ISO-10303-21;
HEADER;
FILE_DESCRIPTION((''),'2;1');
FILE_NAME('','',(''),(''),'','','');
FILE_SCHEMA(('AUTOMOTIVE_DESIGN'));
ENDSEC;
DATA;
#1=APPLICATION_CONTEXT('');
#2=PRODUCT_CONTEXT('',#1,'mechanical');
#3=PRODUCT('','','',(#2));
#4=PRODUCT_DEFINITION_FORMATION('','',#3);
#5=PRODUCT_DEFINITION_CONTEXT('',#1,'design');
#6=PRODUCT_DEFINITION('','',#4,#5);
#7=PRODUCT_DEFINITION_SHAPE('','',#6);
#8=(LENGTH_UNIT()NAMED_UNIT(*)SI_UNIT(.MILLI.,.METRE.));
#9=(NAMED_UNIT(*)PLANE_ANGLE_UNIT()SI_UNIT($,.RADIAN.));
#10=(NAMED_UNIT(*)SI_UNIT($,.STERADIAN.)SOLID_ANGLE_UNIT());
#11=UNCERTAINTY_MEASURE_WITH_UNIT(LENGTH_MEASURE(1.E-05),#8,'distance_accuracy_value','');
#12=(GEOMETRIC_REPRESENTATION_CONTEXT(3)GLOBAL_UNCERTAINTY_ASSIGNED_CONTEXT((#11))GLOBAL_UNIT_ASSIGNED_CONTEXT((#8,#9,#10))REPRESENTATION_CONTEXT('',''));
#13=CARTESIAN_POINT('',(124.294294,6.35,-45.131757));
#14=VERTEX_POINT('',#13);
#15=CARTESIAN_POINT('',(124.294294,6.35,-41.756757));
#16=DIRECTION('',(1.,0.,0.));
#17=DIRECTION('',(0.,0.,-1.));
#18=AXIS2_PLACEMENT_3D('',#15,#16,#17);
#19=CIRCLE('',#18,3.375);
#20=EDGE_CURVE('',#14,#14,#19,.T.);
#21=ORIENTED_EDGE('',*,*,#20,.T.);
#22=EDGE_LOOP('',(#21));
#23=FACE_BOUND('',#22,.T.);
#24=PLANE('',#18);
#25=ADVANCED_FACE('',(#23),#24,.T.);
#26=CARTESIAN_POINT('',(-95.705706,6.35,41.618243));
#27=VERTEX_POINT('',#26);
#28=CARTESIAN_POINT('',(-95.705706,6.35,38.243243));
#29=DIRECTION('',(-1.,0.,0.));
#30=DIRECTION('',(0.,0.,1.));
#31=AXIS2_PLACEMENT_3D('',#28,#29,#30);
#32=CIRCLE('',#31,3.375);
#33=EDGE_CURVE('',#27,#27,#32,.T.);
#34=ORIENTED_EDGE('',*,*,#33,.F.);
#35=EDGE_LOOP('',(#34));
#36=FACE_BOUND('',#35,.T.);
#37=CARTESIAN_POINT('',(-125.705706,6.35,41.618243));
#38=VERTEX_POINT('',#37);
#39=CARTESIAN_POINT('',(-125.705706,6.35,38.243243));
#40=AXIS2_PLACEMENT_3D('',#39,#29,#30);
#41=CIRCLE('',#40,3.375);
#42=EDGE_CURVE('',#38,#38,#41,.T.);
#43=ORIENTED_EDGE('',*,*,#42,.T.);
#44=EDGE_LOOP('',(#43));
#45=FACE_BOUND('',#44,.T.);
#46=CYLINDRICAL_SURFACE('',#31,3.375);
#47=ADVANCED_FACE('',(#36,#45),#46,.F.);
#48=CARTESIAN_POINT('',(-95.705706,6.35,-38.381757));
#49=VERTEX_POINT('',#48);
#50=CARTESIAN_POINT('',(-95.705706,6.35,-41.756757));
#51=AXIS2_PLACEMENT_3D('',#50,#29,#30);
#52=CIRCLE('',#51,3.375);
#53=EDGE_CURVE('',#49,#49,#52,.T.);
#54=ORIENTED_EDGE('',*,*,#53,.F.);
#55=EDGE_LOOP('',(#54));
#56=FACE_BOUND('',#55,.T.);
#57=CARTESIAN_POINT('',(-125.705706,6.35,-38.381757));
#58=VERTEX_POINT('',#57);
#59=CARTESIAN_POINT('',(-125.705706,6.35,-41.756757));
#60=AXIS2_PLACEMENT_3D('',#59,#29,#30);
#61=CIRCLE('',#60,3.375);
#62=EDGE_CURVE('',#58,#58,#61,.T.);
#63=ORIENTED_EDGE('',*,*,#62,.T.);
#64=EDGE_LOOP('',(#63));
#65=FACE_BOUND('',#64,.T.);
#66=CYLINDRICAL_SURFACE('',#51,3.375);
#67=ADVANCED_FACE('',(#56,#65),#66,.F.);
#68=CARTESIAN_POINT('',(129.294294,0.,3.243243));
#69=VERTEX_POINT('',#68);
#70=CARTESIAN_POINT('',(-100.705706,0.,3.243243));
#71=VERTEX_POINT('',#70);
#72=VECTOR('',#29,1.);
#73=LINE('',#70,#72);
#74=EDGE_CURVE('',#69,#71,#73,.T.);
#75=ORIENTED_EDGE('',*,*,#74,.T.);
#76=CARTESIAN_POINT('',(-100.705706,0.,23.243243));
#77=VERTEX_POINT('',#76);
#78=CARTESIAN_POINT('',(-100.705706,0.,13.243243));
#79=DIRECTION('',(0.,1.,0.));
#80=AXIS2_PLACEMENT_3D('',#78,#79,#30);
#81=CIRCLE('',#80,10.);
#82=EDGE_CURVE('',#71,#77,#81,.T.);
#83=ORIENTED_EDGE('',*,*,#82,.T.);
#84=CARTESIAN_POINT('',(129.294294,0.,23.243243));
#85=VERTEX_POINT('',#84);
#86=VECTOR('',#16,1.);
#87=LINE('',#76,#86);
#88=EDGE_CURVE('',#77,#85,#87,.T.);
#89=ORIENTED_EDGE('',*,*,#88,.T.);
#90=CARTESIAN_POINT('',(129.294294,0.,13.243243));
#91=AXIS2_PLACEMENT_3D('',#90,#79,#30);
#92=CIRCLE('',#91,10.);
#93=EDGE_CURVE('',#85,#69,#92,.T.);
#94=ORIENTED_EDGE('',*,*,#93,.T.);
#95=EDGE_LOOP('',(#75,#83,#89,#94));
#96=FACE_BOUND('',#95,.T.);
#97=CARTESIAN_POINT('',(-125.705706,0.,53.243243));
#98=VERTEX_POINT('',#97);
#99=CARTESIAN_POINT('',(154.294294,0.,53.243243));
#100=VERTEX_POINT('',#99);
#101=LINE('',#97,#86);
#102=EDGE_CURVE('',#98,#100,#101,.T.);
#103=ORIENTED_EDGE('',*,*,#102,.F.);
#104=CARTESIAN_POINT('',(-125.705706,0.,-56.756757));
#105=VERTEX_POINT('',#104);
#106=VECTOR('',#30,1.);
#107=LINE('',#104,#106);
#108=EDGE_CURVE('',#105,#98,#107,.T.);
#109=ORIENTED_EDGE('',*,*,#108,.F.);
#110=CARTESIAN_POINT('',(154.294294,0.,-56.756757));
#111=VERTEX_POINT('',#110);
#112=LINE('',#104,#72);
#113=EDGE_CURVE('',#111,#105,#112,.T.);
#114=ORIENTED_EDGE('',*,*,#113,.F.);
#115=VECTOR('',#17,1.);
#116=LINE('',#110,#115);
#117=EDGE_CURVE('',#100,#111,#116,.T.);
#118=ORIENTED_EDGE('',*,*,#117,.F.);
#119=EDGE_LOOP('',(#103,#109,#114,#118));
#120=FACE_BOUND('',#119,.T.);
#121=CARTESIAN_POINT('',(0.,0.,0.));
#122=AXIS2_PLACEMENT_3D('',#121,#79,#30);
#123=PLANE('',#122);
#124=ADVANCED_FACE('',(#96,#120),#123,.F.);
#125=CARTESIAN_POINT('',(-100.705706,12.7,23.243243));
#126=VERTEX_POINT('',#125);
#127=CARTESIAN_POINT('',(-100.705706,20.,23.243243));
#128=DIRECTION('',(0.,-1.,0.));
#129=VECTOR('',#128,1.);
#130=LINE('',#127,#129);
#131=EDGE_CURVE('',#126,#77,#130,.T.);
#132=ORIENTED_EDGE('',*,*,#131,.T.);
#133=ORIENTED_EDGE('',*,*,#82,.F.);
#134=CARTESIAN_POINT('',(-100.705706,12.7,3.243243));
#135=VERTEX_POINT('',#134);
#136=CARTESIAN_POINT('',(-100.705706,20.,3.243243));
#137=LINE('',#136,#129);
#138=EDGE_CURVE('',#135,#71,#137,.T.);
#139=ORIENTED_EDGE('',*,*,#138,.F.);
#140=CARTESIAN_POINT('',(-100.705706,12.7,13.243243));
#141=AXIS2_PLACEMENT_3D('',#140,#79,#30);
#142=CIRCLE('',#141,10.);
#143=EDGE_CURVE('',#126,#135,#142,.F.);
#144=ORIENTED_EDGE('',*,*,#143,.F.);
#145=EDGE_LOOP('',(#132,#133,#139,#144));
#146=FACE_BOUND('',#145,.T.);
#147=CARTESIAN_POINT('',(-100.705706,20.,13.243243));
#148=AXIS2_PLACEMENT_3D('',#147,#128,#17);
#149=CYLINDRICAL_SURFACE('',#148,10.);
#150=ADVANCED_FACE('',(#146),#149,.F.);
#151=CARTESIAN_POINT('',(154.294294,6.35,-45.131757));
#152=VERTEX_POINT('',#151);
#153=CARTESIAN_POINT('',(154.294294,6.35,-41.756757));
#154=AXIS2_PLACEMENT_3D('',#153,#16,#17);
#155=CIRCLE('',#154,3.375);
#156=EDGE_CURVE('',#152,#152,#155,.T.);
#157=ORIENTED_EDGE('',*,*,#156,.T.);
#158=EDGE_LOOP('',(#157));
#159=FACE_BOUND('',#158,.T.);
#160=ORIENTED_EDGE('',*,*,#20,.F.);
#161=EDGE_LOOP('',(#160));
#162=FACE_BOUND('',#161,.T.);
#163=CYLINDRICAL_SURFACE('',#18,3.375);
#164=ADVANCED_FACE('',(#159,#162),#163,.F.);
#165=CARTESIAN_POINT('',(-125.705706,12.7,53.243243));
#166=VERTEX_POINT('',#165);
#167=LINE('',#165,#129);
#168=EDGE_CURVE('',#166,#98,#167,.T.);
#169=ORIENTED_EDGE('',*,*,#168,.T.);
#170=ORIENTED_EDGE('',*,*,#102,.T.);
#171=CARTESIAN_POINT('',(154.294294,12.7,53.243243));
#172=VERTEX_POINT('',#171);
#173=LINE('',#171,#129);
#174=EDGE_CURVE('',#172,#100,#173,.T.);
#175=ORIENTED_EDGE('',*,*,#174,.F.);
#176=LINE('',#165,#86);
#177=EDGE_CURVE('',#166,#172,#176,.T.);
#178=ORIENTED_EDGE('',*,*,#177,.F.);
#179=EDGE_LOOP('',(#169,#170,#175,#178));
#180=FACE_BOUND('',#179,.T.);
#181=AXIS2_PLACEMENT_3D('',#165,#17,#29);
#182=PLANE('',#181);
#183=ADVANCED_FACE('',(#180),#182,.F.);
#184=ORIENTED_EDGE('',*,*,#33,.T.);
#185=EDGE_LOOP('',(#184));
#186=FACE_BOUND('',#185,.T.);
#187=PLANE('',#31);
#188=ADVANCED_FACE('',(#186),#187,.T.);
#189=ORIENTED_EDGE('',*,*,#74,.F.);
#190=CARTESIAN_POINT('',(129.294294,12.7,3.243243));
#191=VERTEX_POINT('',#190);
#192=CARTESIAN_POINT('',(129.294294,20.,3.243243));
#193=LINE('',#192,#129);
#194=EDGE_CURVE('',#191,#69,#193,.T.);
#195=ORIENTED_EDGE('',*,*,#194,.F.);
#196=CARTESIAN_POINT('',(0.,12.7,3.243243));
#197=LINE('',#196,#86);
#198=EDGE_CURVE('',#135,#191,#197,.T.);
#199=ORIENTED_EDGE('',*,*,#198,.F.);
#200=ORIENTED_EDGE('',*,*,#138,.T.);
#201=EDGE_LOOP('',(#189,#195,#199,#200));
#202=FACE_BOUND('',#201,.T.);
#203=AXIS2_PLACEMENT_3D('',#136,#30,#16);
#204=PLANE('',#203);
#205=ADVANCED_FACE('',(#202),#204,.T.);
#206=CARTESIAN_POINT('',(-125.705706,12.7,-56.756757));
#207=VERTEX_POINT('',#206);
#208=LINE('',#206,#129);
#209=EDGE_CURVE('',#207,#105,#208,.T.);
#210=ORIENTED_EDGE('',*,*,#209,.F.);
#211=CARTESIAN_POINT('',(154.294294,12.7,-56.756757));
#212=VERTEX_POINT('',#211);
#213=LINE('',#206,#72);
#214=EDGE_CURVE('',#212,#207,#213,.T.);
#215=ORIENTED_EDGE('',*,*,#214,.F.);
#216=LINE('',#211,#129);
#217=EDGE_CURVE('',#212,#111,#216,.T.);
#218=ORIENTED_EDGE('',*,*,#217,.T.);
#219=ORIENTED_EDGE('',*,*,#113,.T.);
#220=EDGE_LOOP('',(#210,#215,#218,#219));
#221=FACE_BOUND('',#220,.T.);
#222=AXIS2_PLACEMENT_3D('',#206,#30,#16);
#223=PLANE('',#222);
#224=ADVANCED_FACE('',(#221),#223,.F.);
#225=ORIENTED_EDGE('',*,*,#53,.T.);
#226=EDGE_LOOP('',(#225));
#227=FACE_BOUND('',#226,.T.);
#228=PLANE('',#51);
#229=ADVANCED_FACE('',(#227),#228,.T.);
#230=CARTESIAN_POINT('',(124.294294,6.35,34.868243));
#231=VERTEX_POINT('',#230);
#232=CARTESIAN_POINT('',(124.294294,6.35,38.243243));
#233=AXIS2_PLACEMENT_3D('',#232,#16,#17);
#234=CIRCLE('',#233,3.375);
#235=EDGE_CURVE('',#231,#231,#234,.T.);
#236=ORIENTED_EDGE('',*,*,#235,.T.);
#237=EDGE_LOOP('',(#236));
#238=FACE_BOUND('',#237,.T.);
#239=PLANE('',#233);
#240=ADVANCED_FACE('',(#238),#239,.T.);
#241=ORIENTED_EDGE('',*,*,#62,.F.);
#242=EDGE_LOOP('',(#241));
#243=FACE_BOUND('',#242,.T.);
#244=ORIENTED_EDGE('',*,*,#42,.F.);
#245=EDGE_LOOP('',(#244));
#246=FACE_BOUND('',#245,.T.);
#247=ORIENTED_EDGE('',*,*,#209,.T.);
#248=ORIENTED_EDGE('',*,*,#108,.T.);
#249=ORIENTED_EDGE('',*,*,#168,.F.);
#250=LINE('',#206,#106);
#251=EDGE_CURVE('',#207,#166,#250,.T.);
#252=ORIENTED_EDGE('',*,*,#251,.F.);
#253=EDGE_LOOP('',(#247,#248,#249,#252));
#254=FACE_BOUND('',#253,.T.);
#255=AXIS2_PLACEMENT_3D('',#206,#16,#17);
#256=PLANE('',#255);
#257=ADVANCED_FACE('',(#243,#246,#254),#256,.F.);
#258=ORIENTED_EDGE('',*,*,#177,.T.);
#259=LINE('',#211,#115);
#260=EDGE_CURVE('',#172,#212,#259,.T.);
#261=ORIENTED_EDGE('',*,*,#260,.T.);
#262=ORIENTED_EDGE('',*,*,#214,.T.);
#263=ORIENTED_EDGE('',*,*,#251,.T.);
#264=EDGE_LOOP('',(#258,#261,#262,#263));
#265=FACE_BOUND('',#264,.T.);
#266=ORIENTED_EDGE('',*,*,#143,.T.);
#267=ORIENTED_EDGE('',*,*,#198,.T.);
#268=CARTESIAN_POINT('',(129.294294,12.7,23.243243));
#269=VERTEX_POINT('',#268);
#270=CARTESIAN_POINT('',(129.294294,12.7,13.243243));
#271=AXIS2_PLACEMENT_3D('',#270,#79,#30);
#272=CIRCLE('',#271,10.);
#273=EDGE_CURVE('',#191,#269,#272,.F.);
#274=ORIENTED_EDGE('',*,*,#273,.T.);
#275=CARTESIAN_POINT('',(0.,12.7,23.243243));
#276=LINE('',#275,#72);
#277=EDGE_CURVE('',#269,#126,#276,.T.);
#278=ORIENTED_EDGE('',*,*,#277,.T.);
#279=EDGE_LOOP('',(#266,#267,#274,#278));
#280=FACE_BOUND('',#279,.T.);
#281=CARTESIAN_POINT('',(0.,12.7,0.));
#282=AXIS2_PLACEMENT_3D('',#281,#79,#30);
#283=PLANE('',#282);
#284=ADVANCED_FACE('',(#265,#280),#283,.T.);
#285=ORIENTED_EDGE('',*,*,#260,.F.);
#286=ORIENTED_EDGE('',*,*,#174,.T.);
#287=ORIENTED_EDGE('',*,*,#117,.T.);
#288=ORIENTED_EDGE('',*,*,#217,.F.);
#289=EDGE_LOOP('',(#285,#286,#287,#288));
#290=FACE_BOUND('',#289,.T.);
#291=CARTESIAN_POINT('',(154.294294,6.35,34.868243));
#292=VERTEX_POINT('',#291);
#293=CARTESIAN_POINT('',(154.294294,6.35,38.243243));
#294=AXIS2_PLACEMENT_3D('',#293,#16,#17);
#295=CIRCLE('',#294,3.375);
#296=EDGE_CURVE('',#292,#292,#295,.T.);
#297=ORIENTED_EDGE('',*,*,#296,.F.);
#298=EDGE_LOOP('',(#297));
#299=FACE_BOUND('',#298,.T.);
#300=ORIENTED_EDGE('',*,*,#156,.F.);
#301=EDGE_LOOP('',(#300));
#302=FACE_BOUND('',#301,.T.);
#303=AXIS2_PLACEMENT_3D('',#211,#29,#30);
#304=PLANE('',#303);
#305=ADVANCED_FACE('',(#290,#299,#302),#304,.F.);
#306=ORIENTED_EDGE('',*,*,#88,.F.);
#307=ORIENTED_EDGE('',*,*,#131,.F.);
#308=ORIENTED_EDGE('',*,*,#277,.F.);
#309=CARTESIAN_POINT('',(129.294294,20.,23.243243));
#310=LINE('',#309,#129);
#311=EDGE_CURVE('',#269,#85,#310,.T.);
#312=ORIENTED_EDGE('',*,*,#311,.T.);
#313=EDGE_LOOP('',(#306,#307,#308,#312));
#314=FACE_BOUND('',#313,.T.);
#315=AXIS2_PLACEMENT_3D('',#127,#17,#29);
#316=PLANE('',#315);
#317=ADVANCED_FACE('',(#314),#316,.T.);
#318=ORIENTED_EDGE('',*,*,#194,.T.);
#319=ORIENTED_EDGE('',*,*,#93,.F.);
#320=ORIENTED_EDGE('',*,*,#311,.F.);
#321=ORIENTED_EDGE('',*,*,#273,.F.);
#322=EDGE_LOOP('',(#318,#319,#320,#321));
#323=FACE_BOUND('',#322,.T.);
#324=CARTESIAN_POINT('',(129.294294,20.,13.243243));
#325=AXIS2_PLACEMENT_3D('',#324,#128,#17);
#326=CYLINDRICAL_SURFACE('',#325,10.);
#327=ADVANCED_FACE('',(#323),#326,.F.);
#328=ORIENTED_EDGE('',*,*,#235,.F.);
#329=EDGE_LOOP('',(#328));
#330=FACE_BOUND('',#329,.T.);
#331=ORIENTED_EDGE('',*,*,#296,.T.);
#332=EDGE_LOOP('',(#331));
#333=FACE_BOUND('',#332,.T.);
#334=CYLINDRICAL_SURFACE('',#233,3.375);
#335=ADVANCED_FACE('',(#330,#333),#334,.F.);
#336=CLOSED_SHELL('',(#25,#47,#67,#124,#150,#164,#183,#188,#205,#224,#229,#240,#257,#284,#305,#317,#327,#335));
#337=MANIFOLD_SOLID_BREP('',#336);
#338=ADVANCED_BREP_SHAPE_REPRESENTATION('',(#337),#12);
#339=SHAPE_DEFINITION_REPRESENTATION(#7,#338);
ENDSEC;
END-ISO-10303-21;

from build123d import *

# Parameters (mm, degrees)
CROQUIS1_W              = 280
CROQUIS1_H              = 110
SALIENTE_EXTRUIR1_DEPTH = 12.7
CORTAR_EXTRUIR2_DEPTH   = 20
CROQUIS5_R              = 3.375
CORTAR_EXTRUIR5_DEPTH   = 30
CROQUIS6_R              = 3.375
CORTAR_EXTRUIR6_DEPTH   = 30


with BuildPart() as part:
    # Croquis1 → Saliente-Extruir1 (new body)
    with BuildSketch(Plane(origin=(0, 0, 0), x_dir=(1, 0, 0), z_dir=(0, 1, 0))):
        with Locations((14.294294294, 1.756756757)):
            Rectangle(CROQUIS1_W, CROQUIS1_H)
    extrude(amount=SALIENTE_EXTRUIR1_DEPTH)

    # Croquis2 → Cortar-Extruir2 (cut)
    with BuildSketch(Plane(origin=(0, 0, 0), x_dir=(1, 0, 0), z_dir=(0, 1, 0))):
        with BuildLine():
            Line((-100.705705706, -3.243243243), (129.294294294, -3.243243243))
            ThreePointArc((129.294294294, -3.243243243), (139.294294294, -13.243243243), (129.294294294, -23.243243243))
            Line((129.294294294, -23.243243243), (-100.705705706, -23.243243243))
            ThreePointArc((-100.705705706, -23.243243243), (-110.705705706, -13.243243243), (-100.705705706, -3.243243243))
        make_face()
    extrude(amount=CORTAR_EXTRUIR2_DEPTH, mode=Mode.SUBTRACT)

    # Croquis5 → Cortar-Extruir5 (cut)
    with BuildSketch(Plane.ZY.offset(125.705705706)):
        with Locations((38.243243243, 6.35)):
            Circle(CROQUIS5_R)
        with Locations((-41.756756757, 6.35)):
            Circle(CROQUIS5_R)
    extrude(amount=-CORTAR_EXTRUIR5_DEPTH, mode=Mode.SUBTRACT)

    # Croquis6 → Cortar-Extruir6 (cut)
    with BuildSketch(Plane(origin=(154.294294294, 0, 0), x_dir=(0, 0, -1), z_dir=(1, 0, 0))):
        with Locations((41.756756757, 6.35)):
            Circle(CROQUIS6_R)
        with Locations((-38.243243243, 6.35)):
            Circle(CROQUIS6_R)
    extrude(amount=-CORTAR_EXTRUIR6_DEPTH, mode=Mode.SUBTRACT)


solid = part.part
